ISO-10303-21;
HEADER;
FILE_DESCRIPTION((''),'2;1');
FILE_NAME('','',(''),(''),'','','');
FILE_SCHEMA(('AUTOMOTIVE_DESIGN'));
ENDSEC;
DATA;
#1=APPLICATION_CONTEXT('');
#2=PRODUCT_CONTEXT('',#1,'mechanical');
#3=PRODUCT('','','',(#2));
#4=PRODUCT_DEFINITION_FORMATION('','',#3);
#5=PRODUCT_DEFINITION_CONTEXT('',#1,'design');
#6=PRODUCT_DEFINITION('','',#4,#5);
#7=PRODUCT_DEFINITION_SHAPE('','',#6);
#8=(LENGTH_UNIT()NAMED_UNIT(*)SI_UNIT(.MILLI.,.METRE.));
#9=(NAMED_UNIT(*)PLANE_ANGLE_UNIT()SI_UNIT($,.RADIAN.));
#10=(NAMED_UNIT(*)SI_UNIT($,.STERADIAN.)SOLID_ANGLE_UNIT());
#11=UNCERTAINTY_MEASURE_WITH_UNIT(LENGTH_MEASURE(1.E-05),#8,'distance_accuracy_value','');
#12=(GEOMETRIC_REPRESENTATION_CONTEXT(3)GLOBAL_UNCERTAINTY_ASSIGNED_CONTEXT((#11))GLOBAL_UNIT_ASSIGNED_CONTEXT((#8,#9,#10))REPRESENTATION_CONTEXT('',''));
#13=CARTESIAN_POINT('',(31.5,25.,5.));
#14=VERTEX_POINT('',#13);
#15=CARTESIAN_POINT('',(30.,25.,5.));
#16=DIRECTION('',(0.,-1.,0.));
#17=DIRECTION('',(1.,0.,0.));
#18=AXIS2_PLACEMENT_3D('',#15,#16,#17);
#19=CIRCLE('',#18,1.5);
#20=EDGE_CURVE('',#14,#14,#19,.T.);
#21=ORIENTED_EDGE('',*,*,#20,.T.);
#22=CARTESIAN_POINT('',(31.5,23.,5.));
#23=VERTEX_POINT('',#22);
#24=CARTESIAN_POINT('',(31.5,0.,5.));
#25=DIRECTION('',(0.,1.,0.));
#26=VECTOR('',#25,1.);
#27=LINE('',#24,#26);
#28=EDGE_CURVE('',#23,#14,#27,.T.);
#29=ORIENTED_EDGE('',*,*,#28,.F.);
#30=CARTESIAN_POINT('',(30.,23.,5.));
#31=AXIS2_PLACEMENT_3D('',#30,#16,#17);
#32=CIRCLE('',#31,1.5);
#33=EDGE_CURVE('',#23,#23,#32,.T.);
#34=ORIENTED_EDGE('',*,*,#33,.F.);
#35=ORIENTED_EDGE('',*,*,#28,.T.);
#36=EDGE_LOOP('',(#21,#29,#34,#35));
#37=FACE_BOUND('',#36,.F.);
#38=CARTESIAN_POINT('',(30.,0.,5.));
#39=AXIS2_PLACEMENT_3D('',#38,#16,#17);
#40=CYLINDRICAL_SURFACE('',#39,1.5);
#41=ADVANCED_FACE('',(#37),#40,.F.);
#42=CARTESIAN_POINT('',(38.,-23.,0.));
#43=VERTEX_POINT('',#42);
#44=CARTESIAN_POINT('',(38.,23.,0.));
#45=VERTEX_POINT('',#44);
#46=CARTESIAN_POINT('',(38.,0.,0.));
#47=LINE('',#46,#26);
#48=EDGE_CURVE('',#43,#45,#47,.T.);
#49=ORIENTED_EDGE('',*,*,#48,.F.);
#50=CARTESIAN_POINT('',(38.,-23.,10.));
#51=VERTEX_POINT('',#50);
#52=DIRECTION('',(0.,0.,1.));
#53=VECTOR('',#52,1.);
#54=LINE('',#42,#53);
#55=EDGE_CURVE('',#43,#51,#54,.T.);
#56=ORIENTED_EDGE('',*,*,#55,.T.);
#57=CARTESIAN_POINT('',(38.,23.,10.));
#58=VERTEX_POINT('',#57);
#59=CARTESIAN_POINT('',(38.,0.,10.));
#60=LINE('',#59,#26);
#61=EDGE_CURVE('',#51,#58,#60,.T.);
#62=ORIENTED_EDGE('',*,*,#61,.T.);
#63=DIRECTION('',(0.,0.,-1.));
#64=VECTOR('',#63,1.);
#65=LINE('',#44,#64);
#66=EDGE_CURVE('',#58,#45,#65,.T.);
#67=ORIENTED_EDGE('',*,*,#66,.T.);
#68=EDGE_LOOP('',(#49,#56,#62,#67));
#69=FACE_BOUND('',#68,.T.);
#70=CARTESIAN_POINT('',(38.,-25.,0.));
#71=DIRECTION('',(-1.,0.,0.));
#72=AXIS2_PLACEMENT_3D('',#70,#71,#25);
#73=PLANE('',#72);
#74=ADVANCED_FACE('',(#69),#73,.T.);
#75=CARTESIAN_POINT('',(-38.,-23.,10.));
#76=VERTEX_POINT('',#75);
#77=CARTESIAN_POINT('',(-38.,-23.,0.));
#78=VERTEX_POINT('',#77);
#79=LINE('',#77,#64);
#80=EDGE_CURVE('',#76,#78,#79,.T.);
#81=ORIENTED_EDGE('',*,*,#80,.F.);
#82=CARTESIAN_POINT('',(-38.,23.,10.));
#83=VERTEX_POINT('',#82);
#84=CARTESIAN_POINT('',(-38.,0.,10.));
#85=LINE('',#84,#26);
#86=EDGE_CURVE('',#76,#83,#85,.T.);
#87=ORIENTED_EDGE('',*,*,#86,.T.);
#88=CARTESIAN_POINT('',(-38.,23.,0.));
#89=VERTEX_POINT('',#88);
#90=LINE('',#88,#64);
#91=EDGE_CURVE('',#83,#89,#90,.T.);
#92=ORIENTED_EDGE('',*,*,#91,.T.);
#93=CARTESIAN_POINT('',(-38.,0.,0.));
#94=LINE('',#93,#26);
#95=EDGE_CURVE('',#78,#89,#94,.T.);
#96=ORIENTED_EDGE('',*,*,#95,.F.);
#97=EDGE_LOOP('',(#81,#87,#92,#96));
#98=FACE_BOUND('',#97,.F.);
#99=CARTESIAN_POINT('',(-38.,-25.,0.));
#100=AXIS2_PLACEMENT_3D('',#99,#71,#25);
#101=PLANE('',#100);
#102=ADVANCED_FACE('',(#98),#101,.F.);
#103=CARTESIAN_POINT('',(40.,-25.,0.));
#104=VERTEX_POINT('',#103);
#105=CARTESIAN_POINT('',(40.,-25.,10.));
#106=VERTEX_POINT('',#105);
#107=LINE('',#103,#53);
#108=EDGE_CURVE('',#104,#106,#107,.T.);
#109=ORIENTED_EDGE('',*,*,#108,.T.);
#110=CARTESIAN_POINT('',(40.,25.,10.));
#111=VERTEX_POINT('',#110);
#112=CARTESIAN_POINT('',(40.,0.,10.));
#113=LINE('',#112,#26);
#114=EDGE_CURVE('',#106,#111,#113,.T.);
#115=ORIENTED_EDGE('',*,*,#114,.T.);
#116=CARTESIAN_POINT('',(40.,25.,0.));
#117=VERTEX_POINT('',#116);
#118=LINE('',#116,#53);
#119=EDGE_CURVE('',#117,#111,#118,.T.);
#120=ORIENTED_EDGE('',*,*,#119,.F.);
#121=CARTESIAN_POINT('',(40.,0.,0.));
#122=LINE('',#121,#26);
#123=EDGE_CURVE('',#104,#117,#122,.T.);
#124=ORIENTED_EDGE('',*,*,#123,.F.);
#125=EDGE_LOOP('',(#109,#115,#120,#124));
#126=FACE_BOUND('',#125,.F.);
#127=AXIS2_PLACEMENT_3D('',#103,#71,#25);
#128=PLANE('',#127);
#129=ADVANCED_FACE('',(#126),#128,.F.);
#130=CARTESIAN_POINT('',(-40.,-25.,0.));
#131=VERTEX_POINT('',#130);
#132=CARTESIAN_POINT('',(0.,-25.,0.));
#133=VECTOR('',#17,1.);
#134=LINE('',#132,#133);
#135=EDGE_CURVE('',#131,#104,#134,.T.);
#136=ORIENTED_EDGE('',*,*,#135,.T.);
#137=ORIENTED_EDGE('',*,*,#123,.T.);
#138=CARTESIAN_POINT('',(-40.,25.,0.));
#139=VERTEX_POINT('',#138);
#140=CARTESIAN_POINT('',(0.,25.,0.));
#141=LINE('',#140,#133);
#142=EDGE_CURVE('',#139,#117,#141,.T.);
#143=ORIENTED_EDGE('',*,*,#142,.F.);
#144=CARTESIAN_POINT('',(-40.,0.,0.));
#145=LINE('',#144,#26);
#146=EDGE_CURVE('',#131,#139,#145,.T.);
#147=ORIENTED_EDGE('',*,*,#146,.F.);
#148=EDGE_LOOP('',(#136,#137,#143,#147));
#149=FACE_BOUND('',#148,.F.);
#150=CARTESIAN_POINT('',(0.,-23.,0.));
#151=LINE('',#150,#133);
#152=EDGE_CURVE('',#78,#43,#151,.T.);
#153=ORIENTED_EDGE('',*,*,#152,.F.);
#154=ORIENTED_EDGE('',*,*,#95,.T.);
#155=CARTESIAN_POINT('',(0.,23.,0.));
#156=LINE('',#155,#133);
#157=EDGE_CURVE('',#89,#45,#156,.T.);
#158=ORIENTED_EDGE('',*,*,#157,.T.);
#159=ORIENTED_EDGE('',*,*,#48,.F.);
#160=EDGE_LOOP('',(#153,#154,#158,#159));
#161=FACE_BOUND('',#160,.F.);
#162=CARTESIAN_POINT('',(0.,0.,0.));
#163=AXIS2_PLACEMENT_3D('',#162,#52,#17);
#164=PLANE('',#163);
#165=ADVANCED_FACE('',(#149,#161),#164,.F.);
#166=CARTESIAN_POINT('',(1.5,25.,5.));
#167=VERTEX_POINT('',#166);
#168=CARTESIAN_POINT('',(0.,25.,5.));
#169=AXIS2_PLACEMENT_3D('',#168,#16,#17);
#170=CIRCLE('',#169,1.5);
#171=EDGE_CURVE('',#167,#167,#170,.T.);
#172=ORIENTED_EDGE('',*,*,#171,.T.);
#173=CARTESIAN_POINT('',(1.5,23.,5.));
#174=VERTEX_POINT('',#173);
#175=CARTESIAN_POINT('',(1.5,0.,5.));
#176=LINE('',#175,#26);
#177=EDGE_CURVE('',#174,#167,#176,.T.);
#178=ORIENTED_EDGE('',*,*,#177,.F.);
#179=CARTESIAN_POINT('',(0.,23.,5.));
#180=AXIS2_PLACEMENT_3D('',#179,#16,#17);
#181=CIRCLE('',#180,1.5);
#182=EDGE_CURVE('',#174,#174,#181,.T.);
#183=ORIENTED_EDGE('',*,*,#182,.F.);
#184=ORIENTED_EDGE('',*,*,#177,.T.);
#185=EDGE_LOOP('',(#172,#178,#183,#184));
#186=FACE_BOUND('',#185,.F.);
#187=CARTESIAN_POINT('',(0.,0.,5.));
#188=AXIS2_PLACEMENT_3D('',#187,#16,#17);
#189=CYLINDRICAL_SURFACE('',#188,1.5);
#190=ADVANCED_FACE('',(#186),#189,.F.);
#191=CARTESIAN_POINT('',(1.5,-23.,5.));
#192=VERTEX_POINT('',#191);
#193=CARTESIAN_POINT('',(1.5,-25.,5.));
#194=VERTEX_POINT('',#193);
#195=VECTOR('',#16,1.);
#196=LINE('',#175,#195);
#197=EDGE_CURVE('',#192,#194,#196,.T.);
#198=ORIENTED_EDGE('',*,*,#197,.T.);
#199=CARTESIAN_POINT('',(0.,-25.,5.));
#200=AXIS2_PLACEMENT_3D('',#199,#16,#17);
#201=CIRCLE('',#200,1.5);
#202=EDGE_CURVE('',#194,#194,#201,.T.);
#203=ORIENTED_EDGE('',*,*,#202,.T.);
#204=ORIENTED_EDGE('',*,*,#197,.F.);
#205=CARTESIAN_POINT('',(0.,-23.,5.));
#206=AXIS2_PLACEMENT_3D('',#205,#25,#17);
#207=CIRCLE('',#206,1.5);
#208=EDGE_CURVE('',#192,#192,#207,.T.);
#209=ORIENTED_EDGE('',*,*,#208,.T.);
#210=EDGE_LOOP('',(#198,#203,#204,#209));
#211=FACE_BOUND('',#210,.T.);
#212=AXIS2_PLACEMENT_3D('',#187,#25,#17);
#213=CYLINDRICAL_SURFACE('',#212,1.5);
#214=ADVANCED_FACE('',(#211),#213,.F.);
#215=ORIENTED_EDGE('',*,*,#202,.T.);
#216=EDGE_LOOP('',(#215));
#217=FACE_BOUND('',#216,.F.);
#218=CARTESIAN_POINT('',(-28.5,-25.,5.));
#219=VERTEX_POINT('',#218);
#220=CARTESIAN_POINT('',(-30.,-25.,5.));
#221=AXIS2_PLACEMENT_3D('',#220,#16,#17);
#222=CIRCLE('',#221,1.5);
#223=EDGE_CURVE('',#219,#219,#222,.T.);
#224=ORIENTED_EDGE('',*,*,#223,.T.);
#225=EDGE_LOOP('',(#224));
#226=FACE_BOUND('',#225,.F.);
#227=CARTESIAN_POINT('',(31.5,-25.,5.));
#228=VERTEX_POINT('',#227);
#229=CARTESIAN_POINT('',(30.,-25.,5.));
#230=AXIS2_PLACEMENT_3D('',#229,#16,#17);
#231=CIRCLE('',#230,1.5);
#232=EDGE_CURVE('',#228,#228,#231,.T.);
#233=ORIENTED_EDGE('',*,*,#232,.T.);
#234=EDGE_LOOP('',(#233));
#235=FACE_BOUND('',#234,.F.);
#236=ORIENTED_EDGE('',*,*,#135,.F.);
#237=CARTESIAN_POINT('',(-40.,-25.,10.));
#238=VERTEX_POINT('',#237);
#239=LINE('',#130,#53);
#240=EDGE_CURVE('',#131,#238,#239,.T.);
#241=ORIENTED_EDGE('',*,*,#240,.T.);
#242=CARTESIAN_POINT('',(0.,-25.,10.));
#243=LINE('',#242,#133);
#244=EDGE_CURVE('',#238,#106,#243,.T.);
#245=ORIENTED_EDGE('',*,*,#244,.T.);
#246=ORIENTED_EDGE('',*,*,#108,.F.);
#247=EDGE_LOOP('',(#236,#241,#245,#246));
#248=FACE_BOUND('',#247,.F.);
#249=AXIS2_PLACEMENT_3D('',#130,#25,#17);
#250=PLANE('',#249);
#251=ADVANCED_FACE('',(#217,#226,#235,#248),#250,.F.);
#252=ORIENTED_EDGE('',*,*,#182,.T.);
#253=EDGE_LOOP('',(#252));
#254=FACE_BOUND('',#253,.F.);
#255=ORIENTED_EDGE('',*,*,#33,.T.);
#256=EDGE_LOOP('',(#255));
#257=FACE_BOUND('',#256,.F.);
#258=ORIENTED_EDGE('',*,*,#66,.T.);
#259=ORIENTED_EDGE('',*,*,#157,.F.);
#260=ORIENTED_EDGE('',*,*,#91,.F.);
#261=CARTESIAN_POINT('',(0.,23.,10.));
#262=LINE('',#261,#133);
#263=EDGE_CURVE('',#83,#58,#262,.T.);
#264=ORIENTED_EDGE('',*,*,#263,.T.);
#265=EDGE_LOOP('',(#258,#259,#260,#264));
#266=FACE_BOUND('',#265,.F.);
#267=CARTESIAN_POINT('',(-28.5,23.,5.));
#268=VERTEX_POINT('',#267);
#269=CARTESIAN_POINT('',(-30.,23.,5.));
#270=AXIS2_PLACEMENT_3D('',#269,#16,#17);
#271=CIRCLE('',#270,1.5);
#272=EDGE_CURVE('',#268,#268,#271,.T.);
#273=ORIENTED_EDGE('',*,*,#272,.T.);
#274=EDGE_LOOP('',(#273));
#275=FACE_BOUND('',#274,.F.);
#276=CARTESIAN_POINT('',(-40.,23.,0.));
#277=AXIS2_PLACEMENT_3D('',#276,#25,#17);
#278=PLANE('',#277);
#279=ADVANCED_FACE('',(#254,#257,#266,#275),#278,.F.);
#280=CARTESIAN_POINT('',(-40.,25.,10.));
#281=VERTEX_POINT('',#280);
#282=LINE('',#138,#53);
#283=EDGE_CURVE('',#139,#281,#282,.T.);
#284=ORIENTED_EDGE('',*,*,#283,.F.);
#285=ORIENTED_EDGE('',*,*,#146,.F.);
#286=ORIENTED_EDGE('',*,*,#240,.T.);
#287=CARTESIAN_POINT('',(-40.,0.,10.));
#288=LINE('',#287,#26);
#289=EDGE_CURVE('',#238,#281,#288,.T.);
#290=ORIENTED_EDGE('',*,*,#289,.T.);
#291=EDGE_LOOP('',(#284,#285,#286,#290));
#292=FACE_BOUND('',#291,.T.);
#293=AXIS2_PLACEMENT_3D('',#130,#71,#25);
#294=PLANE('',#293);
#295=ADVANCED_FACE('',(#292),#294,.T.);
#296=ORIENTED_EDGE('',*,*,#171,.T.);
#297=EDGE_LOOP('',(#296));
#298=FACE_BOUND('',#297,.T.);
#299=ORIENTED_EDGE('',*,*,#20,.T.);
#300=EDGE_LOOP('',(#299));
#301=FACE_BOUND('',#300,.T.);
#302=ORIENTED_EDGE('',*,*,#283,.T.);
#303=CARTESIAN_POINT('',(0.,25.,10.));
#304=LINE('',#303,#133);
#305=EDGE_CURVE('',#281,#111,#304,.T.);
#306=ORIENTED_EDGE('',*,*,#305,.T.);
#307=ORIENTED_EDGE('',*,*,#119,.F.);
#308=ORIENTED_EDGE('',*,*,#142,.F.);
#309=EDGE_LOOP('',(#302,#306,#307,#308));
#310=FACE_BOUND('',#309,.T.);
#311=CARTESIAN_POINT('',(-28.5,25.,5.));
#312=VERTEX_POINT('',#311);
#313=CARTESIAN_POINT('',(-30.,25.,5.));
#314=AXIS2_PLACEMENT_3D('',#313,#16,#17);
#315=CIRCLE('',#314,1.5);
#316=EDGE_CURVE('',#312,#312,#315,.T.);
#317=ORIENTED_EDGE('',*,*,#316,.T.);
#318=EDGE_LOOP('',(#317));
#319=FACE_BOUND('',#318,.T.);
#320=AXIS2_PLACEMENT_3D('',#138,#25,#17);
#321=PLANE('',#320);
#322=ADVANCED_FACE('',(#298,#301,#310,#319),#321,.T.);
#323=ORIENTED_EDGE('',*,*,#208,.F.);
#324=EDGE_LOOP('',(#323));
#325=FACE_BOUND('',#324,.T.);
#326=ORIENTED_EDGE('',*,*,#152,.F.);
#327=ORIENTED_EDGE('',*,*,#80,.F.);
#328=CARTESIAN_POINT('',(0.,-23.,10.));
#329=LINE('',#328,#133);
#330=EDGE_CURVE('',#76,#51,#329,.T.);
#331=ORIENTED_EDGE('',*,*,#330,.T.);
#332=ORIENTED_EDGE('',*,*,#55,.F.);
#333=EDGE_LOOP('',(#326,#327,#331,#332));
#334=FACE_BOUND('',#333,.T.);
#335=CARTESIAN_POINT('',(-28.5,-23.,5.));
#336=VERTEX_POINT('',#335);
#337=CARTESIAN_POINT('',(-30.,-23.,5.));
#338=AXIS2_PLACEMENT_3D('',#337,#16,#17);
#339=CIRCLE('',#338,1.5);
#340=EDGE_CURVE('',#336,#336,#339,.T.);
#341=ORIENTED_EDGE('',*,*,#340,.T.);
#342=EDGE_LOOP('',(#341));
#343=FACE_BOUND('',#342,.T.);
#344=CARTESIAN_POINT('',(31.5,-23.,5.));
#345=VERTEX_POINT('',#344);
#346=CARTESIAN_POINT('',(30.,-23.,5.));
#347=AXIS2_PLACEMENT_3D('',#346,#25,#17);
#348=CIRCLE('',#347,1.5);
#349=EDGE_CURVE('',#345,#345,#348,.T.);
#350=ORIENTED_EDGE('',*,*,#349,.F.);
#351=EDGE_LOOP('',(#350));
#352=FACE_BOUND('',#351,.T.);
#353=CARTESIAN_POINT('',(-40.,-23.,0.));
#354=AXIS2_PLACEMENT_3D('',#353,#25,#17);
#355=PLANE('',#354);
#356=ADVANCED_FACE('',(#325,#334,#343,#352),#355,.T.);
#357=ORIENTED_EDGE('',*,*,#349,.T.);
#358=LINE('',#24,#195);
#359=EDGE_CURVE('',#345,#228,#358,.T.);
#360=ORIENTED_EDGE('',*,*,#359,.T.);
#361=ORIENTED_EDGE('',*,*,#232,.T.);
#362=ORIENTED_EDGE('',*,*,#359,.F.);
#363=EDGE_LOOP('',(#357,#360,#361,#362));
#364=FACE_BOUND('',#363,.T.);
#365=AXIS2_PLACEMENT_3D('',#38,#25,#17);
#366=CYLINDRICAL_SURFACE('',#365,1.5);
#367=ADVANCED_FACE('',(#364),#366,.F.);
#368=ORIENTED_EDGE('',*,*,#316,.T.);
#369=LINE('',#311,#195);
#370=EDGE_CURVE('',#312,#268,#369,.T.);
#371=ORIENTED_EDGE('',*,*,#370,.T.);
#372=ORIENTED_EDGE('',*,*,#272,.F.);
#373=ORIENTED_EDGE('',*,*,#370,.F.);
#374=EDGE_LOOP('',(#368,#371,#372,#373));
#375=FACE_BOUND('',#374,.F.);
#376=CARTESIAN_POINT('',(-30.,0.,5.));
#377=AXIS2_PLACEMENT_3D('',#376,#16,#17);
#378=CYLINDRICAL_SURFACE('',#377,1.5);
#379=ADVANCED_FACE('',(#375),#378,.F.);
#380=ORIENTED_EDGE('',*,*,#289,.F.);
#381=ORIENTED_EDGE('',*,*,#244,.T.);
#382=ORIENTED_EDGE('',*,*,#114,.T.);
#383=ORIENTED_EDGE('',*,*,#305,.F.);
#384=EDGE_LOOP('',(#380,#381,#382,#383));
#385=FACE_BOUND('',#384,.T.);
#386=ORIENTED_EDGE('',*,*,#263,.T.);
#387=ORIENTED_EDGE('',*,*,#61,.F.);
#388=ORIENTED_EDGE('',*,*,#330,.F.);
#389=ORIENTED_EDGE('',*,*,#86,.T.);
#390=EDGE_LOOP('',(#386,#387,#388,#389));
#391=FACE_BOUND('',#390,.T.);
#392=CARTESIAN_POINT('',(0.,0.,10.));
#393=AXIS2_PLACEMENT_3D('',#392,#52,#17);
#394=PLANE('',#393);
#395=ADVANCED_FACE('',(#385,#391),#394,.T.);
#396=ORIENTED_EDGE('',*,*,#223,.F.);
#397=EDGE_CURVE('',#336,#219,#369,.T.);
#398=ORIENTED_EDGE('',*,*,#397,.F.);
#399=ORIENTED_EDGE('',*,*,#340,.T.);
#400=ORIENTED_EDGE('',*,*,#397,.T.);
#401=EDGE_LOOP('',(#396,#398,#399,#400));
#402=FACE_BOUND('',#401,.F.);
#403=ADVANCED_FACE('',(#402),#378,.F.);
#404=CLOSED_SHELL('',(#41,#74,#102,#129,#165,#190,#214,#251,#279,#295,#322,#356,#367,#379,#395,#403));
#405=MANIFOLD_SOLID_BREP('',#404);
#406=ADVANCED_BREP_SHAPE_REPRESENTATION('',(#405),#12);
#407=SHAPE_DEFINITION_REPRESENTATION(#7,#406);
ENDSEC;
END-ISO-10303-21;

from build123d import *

# Parameters (mm, degrees)
F0_W     = 80
F0_H     = 50
F1_DEPTH = 10
F2_T     = -2
F3_R     = 1.5
F4_DEPTH = 25


with BuildPart() as f1:
    # F0 (on Top) → F1 (new body)
    with BuildSketch(Plane.XY):
        Rectangle(F0_W, F0_H)
    extrude(amount=F1_DEPTH)

    # F2
    f2_openings = [f1.faces().sort_by_distance(p)[0] for p in [
        (0, 0, 10),
        (0, 0, 0),
    ]]
    offset(amount=F2_T, openings=f2_openings)

    # F3 (on Front) → F4 (cut, symmetric)
    with BuildSketch(Plane.XZ):
        with Locations((0, 5)):
            Circle(F3_R)
        with Locations((30, 5)):
            Circle(F3_R)
        with Locations((-30, 5)):
            Circle(F3_R)
    extrude(amount=F4_DEPTH, both=True, mode=Mode.SUBTRACT)


solid = f1.part
